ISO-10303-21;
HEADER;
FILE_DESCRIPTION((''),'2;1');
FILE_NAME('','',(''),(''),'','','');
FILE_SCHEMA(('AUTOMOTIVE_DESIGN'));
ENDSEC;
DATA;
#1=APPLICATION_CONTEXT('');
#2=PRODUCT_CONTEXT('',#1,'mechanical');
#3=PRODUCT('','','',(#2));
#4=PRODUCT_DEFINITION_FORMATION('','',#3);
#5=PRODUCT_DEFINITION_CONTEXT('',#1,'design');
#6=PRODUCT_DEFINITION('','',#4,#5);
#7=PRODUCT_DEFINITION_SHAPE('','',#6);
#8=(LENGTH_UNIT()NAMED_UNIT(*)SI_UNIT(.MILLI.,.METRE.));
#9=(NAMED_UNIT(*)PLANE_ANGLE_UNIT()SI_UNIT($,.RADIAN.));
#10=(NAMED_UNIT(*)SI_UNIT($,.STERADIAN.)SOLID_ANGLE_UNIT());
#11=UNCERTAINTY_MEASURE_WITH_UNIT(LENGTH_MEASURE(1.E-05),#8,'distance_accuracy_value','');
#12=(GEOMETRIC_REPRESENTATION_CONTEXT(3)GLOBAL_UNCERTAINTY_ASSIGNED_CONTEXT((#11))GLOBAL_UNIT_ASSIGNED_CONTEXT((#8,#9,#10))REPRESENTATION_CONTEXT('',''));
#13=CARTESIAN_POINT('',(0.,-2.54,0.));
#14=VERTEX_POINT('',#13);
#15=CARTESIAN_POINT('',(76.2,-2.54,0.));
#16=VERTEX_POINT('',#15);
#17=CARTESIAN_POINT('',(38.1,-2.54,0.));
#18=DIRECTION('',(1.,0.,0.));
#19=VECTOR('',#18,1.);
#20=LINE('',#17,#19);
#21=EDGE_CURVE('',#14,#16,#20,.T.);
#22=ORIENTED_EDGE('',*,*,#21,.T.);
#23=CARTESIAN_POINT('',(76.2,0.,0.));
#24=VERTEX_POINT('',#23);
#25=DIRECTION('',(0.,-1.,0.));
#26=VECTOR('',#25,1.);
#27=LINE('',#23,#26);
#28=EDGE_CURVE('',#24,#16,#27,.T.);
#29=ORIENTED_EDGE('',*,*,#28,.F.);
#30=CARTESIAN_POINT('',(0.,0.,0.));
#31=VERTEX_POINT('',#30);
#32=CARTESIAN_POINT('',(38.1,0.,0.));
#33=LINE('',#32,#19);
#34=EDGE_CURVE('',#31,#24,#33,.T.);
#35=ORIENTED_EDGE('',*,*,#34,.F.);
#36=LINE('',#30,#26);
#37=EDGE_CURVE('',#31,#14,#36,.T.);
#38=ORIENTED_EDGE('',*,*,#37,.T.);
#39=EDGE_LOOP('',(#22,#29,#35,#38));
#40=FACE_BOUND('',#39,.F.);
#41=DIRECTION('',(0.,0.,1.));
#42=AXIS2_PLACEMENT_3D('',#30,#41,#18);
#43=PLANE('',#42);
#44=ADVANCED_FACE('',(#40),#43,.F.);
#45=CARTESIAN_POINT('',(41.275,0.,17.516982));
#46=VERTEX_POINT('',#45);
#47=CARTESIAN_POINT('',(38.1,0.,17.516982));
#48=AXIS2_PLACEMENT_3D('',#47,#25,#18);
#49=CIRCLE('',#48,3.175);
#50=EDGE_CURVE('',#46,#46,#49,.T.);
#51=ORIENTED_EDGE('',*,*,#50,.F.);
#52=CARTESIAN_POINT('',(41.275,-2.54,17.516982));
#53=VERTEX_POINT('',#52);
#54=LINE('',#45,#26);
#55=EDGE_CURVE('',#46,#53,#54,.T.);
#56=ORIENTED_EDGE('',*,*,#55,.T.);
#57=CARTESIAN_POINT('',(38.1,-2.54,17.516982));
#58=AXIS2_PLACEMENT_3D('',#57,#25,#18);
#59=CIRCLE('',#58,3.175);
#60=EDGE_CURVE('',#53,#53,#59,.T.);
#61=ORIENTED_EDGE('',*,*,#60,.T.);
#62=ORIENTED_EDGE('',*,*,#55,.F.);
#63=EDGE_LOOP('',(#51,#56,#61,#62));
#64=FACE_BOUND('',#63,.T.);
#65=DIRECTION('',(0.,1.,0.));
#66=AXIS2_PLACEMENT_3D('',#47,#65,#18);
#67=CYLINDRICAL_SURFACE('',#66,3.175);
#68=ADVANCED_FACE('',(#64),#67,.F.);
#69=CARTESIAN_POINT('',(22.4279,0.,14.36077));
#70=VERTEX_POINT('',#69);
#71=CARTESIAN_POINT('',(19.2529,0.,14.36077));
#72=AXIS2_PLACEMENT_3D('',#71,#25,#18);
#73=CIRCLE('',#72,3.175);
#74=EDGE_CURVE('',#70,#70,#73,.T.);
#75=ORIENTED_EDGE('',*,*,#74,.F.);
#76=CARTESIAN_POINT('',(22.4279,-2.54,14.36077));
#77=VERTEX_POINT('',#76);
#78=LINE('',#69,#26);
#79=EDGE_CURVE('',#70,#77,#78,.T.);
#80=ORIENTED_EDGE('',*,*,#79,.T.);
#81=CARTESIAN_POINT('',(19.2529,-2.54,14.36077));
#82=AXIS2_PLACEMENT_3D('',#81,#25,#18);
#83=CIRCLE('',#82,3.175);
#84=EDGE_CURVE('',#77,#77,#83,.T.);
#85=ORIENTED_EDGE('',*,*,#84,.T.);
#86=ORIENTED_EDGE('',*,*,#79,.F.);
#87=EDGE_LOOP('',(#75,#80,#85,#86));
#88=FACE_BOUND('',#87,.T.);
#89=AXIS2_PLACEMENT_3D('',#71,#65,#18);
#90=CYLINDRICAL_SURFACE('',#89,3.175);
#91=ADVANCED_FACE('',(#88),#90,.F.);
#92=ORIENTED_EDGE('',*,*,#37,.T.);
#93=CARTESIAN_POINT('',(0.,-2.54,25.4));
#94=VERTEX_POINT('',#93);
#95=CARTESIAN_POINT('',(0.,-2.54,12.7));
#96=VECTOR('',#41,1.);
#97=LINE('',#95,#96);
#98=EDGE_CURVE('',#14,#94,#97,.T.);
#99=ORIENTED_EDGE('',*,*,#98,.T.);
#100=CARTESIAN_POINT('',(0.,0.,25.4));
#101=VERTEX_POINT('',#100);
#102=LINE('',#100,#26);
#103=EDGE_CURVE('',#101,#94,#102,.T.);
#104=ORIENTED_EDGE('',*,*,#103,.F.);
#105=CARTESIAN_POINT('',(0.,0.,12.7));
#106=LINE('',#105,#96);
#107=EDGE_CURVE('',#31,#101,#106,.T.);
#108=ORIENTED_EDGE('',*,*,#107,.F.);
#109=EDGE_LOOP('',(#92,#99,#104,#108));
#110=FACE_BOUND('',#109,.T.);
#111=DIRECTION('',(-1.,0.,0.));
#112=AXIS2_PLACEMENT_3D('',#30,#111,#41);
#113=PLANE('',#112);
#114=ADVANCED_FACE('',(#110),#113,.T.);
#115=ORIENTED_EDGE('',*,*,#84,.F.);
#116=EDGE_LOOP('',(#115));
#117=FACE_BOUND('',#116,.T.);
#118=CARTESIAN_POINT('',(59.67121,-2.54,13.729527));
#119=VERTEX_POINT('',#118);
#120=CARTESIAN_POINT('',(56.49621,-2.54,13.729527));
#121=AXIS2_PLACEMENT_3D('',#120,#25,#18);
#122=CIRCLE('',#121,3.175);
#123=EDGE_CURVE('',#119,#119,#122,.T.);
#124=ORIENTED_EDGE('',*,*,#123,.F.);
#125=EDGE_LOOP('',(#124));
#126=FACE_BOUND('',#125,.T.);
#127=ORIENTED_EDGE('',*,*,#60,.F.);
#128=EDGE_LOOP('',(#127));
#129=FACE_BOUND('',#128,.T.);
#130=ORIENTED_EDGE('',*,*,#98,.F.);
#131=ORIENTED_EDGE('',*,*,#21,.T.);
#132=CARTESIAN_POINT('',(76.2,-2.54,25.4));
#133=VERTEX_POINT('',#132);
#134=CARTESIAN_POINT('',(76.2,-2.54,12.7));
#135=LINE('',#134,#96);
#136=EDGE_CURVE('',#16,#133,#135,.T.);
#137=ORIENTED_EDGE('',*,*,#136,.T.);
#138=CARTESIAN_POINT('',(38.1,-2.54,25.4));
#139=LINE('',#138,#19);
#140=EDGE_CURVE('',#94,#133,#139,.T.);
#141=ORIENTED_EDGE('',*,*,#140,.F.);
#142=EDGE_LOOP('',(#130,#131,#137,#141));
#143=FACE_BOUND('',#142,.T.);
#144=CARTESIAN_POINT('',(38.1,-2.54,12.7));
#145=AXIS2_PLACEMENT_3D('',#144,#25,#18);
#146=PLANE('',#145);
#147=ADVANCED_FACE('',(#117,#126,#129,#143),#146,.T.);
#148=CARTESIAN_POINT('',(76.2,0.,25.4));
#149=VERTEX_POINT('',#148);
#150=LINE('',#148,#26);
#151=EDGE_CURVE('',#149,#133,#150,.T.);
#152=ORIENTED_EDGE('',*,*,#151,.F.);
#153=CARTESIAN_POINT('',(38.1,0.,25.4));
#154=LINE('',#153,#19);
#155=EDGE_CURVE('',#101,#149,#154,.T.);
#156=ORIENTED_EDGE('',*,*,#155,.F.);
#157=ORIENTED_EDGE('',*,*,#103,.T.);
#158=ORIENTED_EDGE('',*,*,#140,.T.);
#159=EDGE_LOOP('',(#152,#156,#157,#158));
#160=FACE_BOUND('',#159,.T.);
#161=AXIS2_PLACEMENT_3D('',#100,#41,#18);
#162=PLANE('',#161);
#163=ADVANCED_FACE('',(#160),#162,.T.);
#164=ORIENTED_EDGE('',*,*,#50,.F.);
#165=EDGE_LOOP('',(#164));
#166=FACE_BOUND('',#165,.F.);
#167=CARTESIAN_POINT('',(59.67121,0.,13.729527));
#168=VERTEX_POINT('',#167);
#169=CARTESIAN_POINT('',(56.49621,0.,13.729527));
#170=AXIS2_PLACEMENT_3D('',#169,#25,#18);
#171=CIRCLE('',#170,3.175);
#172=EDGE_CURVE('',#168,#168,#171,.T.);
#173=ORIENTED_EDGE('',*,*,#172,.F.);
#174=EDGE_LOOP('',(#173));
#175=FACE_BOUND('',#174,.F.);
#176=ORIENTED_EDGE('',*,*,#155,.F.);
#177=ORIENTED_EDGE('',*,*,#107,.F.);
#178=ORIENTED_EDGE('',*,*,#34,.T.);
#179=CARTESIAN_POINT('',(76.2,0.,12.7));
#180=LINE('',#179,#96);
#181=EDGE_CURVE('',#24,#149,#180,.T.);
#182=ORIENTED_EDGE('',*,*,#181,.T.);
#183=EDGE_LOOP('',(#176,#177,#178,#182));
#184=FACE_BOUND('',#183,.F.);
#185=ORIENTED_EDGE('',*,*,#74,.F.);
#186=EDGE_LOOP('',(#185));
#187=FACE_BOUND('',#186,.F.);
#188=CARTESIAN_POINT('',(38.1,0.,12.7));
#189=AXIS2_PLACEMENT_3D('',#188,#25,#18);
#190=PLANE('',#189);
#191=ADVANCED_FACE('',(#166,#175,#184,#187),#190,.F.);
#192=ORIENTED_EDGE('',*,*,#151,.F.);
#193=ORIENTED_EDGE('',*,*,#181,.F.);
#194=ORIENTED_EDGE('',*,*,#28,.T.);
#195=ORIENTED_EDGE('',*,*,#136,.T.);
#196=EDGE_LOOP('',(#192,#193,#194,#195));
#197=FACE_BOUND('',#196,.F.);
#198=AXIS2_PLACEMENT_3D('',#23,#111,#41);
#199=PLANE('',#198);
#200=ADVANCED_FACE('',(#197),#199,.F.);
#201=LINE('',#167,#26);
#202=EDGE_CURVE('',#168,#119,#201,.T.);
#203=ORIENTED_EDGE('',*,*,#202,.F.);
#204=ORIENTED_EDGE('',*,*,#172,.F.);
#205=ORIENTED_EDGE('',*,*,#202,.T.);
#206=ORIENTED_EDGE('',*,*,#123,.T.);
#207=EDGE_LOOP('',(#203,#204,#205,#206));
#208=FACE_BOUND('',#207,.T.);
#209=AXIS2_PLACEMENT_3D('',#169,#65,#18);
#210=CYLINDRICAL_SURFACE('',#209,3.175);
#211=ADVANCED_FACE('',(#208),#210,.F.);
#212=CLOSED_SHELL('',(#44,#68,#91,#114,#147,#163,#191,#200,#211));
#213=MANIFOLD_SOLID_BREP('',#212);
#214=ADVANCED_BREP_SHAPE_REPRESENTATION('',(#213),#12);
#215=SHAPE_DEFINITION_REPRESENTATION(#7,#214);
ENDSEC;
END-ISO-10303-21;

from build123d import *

# Parameters (mm, degrees)
F0_W     = 76.2
F0_H     = 25.4
F0_R     = 3.175
F1_DEPTH = 2.54
F2_DEPTH = 25.4


with BuildPart() as f1:
    # F0 (on Front) → F1 (new body)
    with BuildSketch(Plane.XZ):
        with Locations((38.1, 12.7)):
            Rectangle(F0_W, F0_H)
        with Locations((19.2529, 14.36077)):
            Circle(F0_R, mode=Mode.SUBTRACT)
        with Locations((56.49621, 13.729527)):
            Circle(F0_R, mode=Mode.SUBTRACT)
        with Locations((38.1, 17.516982)):
            Circle(F0_R, mode=Mode.SUBTRACT)
    extrude(amount=F1_DEPTH)

    # F0 (on Front) → F2 (cut)
    with BuildSketch(Plane.XZ):
        with Locations((38.1, 12.7)):
            Rectangle(F0_W, F0_H)
        with Locations((19.2529, 14.36077)):
            Circle(F0_R, mode=Mode.SUBTRACT)
        with Locations((56.49621, 13.729527)):
            Circle(F0_R, mode=Mode.SUBTRACT)
        with Locations((38.1, 17.516982)):
            Circle(F0_R, mode=Mode.SUBTRACT)
    extrude(amount=-F2_DEPTH, mode=Mode.SUBTRACT)


solid = f1.part
